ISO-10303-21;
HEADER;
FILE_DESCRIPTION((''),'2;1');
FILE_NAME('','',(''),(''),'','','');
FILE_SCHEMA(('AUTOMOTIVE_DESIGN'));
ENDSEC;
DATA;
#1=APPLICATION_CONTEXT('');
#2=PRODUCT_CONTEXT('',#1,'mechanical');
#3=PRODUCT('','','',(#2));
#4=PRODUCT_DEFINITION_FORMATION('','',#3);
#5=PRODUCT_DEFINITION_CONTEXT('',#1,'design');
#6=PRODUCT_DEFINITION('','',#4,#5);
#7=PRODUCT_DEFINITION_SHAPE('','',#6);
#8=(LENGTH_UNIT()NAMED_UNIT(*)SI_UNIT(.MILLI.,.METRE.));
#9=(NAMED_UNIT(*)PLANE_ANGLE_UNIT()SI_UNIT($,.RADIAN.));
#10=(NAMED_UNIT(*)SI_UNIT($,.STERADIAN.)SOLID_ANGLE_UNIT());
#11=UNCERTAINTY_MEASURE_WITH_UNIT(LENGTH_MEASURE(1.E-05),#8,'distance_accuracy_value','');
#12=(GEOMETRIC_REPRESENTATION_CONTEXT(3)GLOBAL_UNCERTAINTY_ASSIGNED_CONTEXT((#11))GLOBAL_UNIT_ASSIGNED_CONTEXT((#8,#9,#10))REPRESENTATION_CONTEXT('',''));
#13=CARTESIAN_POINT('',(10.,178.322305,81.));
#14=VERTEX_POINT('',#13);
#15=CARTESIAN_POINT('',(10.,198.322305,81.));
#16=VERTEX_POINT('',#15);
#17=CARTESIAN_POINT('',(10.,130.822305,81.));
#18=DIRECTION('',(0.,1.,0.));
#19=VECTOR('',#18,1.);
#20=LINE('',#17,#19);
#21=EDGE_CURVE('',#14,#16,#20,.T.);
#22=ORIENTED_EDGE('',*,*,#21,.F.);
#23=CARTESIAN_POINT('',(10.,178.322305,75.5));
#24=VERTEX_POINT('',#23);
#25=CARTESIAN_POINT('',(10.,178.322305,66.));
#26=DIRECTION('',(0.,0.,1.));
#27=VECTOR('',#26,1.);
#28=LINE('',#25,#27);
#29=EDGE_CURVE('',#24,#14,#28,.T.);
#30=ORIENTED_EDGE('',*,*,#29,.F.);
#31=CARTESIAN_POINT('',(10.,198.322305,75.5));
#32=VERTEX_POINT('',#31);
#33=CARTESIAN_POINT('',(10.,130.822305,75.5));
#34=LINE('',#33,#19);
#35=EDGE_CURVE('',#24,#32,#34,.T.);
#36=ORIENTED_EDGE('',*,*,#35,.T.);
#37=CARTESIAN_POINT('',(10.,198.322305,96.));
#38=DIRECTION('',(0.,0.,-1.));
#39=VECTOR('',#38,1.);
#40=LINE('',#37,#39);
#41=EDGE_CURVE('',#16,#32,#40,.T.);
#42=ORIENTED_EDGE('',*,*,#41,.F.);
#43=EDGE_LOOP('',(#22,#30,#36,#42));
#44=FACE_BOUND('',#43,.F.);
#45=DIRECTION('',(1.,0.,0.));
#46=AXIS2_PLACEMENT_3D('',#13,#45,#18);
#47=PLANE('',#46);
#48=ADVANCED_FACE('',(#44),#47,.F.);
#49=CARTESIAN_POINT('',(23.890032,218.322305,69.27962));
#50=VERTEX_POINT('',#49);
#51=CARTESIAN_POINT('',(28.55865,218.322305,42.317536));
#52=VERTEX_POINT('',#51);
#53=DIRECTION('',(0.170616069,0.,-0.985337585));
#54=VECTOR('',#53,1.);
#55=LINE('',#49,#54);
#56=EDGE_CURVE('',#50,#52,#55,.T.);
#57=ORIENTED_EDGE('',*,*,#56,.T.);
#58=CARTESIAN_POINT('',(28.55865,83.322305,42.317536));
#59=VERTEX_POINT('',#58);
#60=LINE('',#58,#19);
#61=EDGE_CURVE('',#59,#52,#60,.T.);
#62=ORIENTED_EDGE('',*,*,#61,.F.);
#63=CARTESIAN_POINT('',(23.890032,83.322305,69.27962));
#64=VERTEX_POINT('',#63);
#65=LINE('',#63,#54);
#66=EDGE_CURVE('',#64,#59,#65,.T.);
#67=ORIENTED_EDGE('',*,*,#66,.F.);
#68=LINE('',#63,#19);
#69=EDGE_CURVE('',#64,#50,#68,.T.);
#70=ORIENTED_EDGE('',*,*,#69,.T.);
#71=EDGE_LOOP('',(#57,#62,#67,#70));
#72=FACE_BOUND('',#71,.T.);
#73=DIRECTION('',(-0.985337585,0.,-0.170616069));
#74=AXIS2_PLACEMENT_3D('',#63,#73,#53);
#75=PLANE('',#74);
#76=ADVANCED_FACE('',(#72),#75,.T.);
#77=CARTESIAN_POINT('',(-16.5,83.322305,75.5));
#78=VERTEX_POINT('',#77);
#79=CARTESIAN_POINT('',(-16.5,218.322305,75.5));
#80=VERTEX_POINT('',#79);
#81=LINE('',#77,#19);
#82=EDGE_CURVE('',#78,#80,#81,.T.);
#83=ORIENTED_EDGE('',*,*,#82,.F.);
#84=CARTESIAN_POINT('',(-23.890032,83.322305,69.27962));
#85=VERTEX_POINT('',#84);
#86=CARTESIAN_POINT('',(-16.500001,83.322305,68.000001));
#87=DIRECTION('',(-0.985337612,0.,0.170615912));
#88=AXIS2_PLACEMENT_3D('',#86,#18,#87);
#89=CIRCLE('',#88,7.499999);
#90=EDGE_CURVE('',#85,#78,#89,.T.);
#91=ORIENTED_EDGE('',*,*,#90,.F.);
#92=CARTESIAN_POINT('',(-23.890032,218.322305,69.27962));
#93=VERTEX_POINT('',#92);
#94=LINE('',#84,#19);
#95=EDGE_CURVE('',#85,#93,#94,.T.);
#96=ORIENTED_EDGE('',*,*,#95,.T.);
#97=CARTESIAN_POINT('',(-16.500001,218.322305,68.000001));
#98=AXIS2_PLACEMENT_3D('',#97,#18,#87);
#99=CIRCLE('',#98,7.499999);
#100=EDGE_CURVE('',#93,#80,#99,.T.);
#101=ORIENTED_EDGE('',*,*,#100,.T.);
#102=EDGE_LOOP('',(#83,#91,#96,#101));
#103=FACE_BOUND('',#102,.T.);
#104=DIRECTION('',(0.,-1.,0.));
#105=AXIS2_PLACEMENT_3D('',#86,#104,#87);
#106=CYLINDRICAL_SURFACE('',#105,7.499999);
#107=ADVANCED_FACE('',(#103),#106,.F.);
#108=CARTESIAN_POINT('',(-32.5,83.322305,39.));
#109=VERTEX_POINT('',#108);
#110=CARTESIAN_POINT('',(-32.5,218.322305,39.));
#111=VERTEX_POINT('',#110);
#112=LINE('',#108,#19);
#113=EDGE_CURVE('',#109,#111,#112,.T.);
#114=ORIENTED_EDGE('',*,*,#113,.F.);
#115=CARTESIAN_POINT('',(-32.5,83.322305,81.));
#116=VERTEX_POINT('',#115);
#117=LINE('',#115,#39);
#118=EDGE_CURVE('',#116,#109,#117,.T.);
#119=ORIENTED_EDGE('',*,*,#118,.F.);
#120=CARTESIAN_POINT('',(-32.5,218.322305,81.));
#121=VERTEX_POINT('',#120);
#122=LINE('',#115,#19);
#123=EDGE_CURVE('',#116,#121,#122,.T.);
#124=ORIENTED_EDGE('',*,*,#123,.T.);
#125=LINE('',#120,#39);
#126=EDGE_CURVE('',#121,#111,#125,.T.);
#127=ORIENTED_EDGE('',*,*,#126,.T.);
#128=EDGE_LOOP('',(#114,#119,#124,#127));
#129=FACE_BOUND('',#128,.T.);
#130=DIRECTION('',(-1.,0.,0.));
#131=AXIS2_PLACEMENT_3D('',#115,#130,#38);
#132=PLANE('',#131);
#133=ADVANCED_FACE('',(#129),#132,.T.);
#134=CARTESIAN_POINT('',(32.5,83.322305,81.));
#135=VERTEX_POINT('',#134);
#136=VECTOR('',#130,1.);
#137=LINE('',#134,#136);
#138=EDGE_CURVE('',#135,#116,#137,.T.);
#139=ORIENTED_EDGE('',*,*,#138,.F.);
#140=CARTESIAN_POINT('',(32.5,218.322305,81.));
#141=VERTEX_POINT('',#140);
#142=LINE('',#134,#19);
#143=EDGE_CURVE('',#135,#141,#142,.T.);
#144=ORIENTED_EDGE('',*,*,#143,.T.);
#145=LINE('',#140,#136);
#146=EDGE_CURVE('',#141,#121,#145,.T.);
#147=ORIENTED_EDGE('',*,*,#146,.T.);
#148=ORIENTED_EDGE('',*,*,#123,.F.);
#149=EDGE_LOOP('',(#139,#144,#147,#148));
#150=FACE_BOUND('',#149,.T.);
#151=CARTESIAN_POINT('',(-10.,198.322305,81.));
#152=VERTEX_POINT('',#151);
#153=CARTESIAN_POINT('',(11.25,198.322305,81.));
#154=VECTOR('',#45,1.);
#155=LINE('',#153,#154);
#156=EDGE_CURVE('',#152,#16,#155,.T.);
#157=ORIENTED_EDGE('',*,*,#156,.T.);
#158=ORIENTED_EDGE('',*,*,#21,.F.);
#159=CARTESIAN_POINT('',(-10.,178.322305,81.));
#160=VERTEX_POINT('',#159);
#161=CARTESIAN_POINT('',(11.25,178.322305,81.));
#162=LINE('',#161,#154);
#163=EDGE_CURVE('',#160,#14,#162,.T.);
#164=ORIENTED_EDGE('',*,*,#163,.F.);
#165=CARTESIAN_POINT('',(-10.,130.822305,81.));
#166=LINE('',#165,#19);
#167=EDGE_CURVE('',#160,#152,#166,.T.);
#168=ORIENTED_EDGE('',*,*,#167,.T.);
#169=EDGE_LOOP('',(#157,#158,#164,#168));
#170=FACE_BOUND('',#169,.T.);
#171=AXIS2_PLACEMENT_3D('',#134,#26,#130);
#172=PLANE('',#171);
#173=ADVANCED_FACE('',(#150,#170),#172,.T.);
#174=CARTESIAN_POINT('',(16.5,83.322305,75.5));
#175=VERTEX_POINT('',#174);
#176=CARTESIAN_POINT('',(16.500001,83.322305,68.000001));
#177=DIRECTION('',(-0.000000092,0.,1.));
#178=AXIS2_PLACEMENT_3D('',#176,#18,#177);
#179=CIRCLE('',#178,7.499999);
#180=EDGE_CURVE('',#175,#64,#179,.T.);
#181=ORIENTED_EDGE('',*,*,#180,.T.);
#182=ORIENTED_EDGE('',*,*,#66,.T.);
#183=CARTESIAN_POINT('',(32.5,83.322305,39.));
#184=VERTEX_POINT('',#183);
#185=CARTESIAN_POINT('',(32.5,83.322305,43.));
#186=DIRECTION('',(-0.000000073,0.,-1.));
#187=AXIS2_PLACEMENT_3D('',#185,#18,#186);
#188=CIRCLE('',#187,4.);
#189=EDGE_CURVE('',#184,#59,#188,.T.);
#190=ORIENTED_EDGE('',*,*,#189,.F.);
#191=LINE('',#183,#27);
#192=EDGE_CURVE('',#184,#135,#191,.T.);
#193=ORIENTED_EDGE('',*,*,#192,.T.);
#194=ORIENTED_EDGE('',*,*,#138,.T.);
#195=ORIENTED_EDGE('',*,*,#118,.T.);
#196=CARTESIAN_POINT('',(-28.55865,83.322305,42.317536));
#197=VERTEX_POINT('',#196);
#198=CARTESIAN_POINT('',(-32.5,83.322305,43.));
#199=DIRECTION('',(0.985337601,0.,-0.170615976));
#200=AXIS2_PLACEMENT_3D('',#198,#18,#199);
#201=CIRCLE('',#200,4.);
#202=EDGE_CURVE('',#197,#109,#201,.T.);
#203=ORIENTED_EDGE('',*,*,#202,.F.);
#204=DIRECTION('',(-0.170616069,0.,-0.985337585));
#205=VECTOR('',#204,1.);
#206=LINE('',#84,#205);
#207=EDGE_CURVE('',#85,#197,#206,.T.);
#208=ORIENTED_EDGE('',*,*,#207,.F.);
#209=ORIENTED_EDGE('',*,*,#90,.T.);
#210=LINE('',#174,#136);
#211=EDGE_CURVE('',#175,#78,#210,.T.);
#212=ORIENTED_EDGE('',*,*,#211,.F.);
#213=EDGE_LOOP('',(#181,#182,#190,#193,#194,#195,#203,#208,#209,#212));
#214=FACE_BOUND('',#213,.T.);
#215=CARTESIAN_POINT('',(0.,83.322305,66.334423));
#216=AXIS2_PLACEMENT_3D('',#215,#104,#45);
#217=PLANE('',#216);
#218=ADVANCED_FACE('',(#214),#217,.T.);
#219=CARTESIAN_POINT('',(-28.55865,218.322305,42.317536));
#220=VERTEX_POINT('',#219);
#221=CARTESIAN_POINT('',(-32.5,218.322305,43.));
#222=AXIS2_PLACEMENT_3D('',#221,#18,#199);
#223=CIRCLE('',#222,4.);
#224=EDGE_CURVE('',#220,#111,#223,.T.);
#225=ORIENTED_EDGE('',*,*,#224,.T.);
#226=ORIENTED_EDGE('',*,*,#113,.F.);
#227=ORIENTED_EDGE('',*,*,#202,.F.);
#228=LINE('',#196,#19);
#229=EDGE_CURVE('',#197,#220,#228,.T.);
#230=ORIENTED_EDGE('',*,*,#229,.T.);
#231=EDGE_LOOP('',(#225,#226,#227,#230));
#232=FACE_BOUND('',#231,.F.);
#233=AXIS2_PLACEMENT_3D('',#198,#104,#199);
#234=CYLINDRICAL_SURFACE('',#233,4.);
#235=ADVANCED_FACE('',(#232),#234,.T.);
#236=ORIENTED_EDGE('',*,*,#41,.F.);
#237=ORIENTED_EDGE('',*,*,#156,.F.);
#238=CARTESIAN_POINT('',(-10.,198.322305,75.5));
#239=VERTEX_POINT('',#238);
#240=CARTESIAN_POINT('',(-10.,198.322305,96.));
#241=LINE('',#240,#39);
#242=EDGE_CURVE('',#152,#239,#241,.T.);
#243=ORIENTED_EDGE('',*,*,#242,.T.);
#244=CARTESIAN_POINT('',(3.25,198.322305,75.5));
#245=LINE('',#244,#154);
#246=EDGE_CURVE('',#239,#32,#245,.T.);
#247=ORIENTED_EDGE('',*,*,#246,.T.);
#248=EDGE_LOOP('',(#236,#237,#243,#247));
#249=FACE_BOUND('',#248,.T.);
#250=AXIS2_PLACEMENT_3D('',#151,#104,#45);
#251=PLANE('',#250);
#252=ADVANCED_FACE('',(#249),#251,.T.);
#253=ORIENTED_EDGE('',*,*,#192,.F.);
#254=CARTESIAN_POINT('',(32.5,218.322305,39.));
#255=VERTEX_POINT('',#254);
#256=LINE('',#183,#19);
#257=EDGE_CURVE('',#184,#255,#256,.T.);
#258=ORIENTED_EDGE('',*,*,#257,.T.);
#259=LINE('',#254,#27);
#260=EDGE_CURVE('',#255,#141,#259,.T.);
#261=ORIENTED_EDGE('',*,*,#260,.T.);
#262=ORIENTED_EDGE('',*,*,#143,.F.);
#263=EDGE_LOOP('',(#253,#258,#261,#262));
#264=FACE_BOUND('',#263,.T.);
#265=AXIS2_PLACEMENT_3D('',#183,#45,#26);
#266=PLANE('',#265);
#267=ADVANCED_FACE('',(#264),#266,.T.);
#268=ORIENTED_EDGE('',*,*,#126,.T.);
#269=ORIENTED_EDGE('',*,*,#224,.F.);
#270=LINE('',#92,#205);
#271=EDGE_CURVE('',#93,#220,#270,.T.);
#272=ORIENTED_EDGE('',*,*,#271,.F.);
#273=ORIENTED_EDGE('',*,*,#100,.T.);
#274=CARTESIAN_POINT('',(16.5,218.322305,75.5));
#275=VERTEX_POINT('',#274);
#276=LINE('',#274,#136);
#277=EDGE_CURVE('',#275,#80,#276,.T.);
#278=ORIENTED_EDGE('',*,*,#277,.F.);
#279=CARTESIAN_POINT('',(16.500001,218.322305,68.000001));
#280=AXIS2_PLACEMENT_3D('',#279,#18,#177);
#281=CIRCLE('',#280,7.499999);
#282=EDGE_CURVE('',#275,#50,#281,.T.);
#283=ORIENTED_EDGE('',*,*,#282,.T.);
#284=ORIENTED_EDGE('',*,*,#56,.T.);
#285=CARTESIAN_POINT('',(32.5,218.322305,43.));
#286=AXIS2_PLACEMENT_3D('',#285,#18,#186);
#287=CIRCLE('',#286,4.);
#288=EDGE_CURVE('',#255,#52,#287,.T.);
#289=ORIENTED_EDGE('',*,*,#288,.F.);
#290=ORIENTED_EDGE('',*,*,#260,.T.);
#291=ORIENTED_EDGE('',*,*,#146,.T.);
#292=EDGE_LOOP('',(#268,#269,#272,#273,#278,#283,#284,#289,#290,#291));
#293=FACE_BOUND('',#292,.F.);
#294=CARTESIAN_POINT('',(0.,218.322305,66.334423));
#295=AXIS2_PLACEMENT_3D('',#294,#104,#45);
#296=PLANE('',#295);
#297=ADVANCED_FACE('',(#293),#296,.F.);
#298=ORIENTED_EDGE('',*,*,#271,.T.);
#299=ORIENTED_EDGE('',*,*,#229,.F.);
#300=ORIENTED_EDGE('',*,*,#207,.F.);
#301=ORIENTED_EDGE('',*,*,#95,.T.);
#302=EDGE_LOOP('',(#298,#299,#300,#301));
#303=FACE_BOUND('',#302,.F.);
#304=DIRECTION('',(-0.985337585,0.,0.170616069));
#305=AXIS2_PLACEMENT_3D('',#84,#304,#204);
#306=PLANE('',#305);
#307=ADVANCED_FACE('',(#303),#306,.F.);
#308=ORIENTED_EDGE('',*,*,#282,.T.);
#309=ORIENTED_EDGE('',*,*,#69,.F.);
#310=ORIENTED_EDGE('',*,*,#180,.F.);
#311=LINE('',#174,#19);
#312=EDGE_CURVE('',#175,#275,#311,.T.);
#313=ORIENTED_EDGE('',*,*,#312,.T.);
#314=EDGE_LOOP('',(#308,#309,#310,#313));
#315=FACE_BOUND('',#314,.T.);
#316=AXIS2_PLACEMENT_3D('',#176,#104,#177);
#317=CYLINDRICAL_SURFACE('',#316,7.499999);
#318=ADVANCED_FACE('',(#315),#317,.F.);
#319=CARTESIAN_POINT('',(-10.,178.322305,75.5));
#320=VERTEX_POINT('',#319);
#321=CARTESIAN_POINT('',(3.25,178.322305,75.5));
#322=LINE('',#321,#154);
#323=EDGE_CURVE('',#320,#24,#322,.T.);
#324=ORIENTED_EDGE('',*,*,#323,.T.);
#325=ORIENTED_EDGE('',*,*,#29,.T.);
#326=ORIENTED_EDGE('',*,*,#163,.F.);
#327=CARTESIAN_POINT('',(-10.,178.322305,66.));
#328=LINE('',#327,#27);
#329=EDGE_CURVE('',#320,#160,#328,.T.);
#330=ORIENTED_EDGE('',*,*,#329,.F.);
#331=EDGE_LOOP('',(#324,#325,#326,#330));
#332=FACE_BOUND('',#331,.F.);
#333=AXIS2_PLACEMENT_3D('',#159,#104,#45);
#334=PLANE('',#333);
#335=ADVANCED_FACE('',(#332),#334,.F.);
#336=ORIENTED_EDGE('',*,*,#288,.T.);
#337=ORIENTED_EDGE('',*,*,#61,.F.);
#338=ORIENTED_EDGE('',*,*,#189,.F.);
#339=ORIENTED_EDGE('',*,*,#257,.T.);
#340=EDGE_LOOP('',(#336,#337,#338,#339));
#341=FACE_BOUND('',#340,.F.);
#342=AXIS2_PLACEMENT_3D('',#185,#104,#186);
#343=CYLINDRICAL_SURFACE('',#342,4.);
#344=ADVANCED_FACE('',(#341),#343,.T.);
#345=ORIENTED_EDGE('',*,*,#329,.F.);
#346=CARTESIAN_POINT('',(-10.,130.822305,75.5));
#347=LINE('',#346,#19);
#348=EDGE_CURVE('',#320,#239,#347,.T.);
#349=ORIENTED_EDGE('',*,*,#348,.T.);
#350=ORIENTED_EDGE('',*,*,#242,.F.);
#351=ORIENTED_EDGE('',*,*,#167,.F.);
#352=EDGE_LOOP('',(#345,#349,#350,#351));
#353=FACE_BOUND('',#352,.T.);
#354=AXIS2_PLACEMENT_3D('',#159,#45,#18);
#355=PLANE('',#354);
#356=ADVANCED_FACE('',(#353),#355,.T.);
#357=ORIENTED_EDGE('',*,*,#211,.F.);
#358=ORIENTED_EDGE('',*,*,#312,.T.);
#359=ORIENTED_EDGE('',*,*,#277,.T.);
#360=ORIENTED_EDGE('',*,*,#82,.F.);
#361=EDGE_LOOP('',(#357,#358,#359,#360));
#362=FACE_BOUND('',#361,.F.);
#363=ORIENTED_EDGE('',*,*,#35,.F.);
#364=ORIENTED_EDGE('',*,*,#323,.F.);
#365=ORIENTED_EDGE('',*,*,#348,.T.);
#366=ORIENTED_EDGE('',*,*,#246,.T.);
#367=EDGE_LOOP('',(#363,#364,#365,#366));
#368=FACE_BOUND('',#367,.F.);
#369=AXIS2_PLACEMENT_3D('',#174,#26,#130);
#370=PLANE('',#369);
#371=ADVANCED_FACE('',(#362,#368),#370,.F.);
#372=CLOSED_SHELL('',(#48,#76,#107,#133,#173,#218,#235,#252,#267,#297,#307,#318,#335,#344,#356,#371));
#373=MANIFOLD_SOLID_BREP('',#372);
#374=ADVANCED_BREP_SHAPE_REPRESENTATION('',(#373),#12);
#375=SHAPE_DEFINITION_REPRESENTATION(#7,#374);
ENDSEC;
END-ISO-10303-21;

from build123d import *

# Parameters (mm, degrees)
SKETCH003_W      = 20
SKETCH003_H      = 20
EXTRUDE003_DEPTH = 15
EXTRUDE002_DEPTH = 135


with BuildPart() as extrude004:
    # Sketch003 (on Face2 of Extrude002) → Extrude003 (new body, symmetric)
    with BuildSketch(Plane.XY.offset(81)):
        with Locations((0, 188.322305)):
            Rectangle(SKETCH003_W, SKETCH003_H)
    extrude(amount=EXTRUDE003_DEPTH, both=True)


with BuildPart() as u65:
    # Sketch002 (on Face6 of Extrude001) → Extrude002 (new body)
    with BuildSketch(Plane(origin=(0, 83.322305, 0), x_dir=(-1, 0, 0), z_dir=(0, 1, 0))):
        with BuildLine():
            Line((-32.5, 39), (-32.5, 81))
            Line((-32.5, 81), (32.5, 81))
            Line((32.5, 81), (32.5, 39))
            ThreePointArc((28.55865, 42.317536), (29.924137, 39.939783), (32.5, 39))
            Line((23.890032, 69.27962), (28.55865, 42.317536))
            ThreePointArc((23.890032, 69.27962), (21.329744, 73.737907), (16.5, 75.5))
            Line((-16.5, 75.5), (16.5, 75.5))
            ThreePointArc((-16.5, 75.5), (-21.329744, 73.737907), (-23.890032, 69.27962))
            Line((-23.890032, 69.27962), (-28.55865, 42.317536))
            ThreePointArc((-32.5, 39), (-29.924137, 39.939783), (-28.55865, 42.317536))
        make_face()
    extrude(amount=EXTRUDE002_DEPTH)

    # Cut: cut Extrude004
    add(extrude004.part, mode=Mode.SUBTRACT)


solid = u65.part
